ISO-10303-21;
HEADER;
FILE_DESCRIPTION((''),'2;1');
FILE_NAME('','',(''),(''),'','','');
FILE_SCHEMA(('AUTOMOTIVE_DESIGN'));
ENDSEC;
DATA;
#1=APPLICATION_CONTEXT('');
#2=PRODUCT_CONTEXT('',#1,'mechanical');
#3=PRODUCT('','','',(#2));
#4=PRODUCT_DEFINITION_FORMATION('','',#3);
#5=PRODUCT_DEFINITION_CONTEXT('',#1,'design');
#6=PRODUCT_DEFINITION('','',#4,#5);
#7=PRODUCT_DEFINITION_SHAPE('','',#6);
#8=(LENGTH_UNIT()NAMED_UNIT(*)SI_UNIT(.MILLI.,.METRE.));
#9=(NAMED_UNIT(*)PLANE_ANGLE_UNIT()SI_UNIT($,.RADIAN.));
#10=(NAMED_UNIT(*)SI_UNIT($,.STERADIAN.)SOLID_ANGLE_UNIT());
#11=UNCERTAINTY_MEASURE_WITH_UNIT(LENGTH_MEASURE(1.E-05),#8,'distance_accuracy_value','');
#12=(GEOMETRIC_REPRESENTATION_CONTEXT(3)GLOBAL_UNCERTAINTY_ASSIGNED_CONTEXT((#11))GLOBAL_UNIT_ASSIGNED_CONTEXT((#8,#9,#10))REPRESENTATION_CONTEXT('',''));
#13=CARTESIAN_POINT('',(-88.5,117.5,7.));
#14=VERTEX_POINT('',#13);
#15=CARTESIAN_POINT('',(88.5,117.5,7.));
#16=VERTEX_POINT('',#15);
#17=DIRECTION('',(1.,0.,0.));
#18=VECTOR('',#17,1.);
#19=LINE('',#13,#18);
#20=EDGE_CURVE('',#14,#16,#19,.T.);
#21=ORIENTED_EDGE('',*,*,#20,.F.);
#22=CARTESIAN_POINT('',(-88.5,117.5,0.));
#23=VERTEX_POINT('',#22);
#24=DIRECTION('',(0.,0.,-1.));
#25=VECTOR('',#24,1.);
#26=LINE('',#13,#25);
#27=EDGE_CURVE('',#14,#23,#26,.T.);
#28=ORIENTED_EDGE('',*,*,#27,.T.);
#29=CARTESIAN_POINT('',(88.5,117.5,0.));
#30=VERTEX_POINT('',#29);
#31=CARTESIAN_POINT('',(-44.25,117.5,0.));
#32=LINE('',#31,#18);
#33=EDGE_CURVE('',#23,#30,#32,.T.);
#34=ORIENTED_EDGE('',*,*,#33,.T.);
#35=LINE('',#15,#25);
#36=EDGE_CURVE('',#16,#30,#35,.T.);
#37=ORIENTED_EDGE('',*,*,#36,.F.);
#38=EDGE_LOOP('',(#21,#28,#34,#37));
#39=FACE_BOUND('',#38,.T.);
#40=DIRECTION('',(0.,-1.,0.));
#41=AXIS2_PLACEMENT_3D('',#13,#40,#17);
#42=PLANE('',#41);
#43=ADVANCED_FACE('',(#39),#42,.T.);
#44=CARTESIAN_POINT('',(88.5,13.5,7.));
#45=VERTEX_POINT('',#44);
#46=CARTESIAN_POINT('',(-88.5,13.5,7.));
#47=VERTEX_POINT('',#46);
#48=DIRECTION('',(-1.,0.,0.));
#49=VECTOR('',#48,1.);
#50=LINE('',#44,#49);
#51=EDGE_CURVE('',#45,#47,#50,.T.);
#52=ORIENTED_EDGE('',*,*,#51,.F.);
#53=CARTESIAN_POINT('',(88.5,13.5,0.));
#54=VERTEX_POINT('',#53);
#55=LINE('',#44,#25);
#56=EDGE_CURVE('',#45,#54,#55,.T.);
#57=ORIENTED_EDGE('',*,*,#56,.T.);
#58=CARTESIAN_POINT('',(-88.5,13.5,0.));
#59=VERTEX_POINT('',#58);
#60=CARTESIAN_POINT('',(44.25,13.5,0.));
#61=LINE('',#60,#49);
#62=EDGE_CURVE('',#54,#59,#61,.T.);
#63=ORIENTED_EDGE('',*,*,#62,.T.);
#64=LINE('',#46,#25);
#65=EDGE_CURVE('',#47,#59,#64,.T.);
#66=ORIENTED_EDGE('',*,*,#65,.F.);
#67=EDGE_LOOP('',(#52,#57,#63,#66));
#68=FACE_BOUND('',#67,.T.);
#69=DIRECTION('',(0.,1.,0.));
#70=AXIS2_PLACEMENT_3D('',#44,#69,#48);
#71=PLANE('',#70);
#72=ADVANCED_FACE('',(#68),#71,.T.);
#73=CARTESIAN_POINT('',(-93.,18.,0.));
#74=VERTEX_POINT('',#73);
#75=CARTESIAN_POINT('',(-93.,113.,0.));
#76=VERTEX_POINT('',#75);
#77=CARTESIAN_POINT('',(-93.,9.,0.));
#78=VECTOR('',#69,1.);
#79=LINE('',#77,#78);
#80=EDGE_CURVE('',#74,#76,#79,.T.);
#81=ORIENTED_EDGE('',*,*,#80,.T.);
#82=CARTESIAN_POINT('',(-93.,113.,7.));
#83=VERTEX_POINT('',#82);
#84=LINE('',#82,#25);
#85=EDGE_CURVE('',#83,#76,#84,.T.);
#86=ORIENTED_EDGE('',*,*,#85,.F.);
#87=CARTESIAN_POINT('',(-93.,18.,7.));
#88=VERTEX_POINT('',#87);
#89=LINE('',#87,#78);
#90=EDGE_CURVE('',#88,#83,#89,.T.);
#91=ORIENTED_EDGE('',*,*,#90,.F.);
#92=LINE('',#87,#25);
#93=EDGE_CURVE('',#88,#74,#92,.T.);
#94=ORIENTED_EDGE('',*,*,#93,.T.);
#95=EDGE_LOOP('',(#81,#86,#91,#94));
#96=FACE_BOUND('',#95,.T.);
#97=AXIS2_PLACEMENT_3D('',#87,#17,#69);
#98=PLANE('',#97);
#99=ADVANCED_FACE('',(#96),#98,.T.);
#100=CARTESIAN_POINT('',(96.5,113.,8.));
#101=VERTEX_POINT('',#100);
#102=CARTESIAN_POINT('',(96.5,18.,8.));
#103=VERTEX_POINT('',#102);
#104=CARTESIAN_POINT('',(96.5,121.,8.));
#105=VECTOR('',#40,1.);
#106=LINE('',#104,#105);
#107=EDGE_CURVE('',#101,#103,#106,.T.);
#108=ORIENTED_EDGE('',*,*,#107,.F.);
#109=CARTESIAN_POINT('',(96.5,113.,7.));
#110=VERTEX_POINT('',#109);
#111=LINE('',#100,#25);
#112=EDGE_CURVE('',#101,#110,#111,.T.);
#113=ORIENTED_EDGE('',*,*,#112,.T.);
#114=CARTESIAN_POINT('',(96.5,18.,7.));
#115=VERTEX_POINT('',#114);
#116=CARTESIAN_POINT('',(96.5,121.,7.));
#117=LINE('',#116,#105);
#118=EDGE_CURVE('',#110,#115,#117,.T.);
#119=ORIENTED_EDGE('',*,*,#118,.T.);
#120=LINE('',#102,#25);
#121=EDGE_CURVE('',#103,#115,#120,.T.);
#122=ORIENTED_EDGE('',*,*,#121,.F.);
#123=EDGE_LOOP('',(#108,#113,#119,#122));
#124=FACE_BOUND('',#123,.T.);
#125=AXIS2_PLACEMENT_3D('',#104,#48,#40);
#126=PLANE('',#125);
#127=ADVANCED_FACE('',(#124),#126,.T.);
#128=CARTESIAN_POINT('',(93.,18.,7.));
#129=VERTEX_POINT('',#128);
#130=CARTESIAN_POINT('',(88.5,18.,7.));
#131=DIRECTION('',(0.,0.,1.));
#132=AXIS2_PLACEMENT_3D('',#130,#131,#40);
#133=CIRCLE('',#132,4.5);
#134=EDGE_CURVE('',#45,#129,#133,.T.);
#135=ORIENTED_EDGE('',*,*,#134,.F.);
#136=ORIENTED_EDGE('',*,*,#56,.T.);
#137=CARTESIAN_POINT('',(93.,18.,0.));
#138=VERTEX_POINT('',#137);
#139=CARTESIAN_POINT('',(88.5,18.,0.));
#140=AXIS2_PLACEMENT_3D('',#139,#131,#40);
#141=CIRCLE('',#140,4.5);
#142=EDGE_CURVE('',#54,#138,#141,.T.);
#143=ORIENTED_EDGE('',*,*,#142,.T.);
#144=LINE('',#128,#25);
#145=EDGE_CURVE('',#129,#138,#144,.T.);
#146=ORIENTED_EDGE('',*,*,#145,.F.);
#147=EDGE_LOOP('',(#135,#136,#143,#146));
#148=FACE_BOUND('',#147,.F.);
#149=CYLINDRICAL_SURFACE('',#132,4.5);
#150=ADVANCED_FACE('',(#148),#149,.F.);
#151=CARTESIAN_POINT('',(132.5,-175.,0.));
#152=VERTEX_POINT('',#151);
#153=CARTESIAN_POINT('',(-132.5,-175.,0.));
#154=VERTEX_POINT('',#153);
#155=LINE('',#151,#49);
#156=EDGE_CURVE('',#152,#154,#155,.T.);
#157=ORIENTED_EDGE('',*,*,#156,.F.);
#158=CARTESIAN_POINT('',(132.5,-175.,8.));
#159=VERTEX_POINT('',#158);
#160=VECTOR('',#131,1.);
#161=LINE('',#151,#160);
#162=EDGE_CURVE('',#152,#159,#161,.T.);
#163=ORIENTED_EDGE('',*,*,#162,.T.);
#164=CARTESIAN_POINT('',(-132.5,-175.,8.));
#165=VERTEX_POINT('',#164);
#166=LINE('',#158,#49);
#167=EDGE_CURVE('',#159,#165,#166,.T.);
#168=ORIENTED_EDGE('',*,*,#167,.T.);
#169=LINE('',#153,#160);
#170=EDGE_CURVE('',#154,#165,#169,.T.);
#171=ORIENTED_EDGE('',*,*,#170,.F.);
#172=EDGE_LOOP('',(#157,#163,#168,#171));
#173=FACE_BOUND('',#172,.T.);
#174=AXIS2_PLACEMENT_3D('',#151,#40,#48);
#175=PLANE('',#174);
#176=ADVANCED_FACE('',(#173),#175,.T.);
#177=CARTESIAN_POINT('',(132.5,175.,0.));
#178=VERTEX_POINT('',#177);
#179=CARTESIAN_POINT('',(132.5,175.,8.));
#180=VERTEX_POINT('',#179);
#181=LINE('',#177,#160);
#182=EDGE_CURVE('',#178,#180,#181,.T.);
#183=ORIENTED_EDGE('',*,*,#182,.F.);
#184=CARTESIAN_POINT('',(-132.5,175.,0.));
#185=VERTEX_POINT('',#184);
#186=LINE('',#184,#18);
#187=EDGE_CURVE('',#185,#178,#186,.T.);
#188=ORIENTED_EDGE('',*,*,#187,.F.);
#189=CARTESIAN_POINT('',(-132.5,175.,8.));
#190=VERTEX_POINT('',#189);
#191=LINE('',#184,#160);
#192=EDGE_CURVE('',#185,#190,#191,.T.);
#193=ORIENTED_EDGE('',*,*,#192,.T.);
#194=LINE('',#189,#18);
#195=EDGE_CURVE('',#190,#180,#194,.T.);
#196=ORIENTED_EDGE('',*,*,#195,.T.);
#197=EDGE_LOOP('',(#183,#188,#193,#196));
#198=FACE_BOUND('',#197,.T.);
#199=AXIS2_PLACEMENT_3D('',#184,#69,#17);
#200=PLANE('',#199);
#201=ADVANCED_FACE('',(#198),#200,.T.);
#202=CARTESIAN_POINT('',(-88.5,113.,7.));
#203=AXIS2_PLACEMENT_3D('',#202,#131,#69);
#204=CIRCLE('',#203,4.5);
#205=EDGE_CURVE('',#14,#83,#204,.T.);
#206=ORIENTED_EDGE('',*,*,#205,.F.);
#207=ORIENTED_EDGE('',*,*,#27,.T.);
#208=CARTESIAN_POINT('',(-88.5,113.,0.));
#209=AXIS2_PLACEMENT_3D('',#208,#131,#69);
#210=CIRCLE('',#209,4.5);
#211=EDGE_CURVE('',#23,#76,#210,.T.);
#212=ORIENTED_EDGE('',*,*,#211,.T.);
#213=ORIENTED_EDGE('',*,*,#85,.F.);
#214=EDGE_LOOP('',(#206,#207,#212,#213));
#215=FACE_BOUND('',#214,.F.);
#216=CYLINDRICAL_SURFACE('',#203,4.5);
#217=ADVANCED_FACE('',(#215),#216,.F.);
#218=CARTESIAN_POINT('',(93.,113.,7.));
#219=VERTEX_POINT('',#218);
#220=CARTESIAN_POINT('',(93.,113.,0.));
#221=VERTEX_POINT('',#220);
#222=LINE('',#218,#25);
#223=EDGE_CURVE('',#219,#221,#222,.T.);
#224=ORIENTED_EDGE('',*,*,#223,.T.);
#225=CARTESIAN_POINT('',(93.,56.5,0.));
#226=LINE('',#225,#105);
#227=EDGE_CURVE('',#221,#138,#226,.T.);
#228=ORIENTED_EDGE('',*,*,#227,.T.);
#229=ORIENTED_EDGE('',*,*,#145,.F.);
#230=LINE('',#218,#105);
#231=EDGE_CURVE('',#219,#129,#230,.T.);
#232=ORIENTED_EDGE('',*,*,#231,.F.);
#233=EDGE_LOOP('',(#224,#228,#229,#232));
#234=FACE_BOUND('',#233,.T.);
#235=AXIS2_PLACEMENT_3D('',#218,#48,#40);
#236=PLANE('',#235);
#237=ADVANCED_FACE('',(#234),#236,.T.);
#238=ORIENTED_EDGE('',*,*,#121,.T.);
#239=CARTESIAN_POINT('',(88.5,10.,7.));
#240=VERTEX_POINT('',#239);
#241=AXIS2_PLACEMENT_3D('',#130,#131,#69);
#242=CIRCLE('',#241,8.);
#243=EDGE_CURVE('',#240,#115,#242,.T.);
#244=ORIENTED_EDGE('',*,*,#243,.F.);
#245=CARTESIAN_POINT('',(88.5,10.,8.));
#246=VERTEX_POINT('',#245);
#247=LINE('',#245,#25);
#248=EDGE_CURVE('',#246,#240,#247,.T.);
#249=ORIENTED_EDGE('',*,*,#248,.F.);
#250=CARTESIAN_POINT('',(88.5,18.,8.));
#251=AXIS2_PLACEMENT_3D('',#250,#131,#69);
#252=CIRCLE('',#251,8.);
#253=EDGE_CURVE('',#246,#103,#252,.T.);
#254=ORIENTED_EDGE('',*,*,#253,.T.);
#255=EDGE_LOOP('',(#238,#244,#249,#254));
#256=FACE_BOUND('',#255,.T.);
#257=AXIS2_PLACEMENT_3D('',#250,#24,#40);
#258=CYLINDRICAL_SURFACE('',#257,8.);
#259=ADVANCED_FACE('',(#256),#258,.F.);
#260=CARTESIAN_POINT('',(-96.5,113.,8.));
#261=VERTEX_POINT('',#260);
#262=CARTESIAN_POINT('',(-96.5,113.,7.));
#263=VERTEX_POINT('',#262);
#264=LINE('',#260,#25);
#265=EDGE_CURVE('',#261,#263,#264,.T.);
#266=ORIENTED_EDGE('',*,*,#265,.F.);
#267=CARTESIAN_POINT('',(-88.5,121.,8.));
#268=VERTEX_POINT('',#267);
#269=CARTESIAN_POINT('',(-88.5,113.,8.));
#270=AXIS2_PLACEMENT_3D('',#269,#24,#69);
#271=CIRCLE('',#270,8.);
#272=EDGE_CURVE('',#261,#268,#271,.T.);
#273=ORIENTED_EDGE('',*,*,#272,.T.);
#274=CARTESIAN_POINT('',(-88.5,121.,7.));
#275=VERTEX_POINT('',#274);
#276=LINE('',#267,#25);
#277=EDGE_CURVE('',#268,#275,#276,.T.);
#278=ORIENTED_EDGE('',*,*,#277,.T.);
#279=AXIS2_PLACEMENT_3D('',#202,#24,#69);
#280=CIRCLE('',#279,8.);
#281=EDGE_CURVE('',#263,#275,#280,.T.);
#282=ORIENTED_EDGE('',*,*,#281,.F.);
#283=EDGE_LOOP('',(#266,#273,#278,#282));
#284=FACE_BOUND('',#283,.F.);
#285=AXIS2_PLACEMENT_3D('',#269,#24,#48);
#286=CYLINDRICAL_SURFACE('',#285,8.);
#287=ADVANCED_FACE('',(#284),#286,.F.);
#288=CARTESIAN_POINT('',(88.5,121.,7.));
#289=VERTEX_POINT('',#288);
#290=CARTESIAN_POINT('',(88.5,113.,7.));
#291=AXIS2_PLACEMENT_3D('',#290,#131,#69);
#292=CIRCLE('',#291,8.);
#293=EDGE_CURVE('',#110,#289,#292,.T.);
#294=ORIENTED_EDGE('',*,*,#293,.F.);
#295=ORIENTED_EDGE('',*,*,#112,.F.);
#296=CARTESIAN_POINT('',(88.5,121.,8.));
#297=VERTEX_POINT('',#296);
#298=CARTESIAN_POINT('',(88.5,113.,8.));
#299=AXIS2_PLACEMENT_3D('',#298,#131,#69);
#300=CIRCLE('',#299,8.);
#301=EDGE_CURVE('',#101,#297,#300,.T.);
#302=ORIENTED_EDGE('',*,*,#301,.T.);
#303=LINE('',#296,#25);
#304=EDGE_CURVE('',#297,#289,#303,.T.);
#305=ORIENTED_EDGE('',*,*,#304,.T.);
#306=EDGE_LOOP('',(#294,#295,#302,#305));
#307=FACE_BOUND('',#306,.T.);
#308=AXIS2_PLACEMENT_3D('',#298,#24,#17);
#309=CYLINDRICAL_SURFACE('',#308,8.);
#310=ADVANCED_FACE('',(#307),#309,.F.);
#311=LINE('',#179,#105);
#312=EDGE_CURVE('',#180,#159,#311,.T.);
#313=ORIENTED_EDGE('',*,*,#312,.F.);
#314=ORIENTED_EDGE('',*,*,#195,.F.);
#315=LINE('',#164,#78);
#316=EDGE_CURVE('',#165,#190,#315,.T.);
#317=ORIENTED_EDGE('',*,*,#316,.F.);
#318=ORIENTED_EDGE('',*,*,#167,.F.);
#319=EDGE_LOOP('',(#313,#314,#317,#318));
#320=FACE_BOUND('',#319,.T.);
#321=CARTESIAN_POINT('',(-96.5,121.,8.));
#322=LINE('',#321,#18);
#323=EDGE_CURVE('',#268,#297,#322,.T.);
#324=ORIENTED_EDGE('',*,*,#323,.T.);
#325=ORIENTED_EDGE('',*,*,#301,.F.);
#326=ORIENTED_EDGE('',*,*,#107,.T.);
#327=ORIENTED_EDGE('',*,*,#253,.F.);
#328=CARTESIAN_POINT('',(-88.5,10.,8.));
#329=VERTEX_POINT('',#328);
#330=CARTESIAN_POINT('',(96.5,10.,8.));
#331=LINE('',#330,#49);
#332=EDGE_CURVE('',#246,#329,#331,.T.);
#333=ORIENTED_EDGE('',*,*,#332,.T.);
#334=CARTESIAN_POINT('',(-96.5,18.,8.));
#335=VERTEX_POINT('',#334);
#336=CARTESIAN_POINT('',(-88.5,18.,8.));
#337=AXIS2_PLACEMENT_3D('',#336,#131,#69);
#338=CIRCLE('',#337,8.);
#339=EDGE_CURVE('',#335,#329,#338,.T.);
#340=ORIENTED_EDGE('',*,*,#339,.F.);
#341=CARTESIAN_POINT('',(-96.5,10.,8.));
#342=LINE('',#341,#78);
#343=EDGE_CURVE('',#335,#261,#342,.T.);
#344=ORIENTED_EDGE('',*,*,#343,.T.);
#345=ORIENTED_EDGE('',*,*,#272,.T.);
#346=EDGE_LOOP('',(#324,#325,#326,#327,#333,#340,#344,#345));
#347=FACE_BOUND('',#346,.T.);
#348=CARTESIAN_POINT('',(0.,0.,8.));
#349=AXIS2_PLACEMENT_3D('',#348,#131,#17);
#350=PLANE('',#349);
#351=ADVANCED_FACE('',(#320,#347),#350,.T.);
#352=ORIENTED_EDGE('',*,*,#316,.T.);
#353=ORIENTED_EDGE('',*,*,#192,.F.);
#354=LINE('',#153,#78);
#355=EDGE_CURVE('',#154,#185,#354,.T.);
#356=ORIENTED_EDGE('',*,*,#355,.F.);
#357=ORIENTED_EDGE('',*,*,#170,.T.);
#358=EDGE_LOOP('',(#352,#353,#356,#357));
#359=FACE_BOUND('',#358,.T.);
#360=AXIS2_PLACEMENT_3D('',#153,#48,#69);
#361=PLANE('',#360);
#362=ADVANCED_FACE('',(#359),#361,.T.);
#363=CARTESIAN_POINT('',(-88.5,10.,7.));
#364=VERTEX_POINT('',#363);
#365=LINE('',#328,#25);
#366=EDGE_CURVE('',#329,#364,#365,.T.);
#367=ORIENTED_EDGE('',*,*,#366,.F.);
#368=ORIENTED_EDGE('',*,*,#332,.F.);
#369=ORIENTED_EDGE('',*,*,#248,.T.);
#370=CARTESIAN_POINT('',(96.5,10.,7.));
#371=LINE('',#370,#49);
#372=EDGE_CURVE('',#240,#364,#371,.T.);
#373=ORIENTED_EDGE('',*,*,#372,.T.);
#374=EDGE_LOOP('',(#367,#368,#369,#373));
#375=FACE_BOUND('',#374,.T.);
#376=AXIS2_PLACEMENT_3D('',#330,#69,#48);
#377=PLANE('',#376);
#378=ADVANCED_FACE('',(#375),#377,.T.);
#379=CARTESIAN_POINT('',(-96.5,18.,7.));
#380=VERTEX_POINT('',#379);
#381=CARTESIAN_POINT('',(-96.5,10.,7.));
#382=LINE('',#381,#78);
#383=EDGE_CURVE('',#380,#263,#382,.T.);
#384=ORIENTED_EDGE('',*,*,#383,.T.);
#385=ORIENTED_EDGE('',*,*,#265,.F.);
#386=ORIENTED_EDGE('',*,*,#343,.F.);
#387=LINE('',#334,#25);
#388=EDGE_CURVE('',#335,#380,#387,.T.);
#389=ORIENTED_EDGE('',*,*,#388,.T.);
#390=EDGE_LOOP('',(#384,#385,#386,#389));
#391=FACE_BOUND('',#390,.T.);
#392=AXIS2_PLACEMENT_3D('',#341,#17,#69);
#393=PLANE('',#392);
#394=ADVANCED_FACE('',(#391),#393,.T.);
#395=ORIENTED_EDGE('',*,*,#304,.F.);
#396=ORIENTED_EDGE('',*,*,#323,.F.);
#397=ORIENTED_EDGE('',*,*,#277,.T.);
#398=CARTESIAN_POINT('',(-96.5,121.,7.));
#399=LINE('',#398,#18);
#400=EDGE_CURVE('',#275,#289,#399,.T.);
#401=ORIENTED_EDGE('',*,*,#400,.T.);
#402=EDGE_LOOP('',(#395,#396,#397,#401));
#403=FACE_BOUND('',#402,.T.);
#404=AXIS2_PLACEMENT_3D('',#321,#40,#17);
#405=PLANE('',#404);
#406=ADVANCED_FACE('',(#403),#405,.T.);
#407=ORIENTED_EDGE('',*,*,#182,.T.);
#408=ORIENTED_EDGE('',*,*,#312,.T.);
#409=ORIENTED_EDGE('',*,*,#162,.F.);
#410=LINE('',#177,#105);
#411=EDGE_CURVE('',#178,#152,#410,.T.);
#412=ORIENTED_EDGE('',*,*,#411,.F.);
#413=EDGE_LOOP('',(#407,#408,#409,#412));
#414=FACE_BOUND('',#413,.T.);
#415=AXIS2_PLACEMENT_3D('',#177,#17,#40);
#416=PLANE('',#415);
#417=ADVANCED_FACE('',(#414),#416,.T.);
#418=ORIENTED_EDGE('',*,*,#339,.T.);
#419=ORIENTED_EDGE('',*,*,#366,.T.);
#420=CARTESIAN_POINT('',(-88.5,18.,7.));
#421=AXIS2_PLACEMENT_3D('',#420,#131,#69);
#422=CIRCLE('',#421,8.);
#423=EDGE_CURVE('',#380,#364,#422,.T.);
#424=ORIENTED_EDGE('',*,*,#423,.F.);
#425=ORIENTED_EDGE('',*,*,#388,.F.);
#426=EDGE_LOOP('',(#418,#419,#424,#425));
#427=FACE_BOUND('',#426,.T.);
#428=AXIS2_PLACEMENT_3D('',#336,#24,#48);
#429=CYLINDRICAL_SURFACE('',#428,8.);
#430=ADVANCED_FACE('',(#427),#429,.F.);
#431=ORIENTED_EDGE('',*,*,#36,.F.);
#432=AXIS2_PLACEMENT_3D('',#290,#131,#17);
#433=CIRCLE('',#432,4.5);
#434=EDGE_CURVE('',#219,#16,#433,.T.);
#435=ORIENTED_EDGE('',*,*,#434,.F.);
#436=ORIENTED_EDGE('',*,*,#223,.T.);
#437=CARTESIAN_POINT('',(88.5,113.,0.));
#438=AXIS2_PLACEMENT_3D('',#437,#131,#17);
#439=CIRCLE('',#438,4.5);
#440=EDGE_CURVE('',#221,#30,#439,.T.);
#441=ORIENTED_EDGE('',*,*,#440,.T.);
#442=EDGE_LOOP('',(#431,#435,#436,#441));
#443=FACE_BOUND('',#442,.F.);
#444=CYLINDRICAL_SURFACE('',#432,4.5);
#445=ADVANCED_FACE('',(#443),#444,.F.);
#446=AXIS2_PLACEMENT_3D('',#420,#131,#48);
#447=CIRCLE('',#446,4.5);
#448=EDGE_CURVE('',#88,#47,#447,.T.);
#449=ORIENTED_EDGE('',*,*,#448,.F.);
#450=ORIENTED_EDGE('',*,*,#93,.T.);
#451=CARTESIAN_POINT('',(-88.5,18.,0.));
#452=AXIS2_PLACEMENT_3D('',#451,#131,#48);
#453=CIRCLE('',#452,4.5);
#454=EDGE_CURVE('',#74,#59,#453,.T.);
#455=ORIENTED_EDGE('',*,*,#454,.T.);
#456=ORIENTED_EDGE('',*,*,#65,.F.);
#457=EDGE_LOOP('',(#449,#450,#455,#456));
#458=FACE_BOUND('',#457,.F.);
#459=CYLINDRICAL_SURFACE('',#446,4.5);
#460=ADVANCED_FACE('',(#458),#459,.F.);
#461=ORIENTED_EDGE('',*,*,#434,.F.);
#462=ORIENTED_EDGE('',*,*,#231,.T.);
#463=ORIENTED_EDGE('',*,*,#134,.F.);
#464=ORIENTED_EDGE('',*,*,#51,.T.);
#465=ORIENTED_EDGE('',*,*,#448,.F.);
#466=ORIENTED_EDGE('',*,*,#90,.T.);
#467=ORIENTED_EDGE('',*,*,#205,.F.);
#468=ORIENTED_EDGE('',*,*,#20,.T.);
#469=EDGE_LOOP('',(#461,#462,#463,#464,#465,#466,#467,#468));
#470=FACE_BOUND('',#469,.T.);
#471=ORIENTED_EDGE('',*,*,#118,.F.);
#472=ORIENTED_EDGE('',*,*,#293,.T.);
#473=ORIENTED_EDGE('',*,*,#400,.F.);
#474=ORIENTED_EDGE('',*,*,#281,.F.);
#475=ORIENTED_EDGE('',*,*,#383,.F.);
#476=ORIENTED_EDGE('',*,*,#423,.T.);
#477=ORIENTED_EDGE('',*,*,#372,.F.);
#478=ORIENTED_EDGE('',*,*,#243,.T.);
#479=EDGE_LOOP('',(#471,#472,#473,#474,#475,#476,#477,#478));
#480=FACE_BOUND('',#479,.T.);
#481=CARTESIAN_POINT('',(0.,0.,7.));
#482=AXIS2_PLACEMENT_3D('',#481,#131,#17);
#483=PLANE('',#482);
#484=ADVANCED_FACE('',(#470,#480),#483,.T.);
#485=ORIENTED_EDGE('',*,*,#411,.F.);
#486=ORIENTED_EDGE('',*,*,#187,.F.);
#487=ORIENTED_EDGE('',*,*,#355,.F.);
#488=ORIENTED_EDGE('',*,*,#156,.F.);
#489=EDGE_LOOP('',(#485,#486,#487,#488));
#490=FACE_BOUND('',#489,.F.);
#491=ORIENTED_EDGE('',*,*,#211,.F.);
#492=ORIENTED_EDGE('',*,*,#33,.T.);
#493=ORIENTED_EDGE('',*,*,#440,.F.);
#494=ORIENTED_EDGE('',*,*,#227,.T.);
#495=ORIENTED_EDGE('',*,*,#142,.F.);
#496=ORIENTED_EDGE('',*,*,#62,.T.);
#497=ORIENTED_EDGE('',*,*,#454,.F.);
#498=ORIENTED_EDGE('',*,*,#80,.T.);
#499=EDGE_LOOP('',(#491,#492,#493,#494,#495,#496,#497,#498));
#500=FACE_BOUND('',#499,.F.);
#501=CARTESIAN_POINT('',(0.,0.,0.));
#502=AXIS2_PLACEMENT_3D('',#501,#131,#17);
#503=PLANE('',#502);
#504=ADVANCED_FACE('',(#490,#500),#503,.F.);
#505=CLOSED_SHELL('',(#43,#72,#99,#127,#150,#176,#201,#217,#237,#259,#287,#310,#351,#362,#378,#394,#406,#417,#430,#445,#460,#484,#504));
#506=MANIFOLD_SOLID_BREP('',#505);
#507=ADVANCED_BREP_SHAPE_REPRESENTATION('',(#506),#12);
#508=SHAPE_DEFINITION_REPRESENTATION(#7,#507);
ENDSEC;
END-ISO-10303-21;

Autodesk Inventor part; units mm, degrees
ref_plane "YZ Plane" through (0, 0, 0) normal (1, 0, 0) x (0, 1, 0)
ref_plane "XZ Plane" through (0, 0, 0) normal (0, 1, 0) x (-1, 0, 0)
ref_plane "XY Plane" through (0, 0, 0) normal (0, 0, 1) x (1, 0, 0)
sketch "Sketch1" plane through (0, 0, 0) normal (0, 0, 1) x (1, 0, 0)
  line L0 (-132.5, 175) -> (132.5, 175)
  line L1 (132.5, 175) -> (132.5, -175)
  line L2 (132.5, -175) -> (-132.5, -175)
  line L3 (-132.5, -175) -> (-132.5, 175)
  point P0 (0, 0)
  dimension "d0" = 265
  dimension "d1" = 350
  dimension "d2" = 265
  dimension "d3" = 350
  dimension "d4" = 132.5
  dimension "d5" = 175
extrude "Extrusion1" add sketch "Sketch1" along normal blind 8
sketch "Sketch2" plane through (0, 0, 8) normal (0, 0, 1) x (1, 0, 0)
  line L0 (-96.5, 121) -> (96.5, 121)
  line L1 (96.5, 121) -> (96.5, 10)
  line L2 (96.5, 10) -> (-96.5, 10)
  line L3 (-96.5, 10) -> (-96.5, 121)
  point P0 (0, 0)
  dimension "d8" = 193
  dimension "d9" = 111
  dimension "d10" = 96.5
  dimension "d17" = 10
extrude "Extrusion2" cut sketch "Sketch2" against normal blind 1
fillet "Fillet1" radius 8 4 edges at (-96.5, 121, 7.5) (96.5, 121, 7.5) (96.5, 10, 7.5) (-96.5, 10, 7.5)
sketch "Sketch3" plane through (0, 0, 7) normal (0, 0, 1) x (1, 0, 0)
  arc A0 (-96.5, 18) -> (-88.5, 10) centre (-88.5, 18) ccw projected
  line L0 (88.5, 10) -> (-88.5, 10) projected
  arc A1 (88.5, 10) -> (96.5, 18) centre (88.5, 18) ccw projected
  line L1 (96.5, 113) -> (96.5, 18) projected
  arc A2 (96.5, 113) -> (88.5, 121) centre (88.5, 113) ccw projected
  line L2 (-88.5, 121) -> (88.5, 121) projected
  arc A3 (-88.5, 121) -> (-96.5, 113) centre (-88.5, 113) ccw projected
  line L3 (-96.5, 18) -> (-96.5, 113) projected
  arc A4 (-88.5, 117.5) -> (-93, 113) centre (-88.5, 113) ccw
  line L4 (-88.5, 117.5) -> (88.5, 117.5)
  arc A5 (93, 113) -> (88.5, 117.5) centre (88.5, 113) ccw
  line L5 (93, 113) -> (93, 18)
  arc A6 (88.5, 13.5) -> (93, 18) centre (88.5, 18) ccw
  line L6 (88.5, 13.5) -> (-88.5, 13.5)
  arc A7 (-93, 18) -> (-88.5, 13.5) centre (-88.5, 18) ccw
  line L7 (-93, 18) -> (-93, 113)
  point P0 (0, 0)
  dimension "d14" = 3.5
extrude "Extrusion3" cut sketch "Sketch3" against normal through all contours L4 A5 L5 A6 L6 A7 L7 A4
equation "\"d4\" = 0.5 * d2"
equation "\"d5\" = 0.5 * d3"
equation "\"d10\" = 0.5 * d8"
properties part number "masca raspberry"
